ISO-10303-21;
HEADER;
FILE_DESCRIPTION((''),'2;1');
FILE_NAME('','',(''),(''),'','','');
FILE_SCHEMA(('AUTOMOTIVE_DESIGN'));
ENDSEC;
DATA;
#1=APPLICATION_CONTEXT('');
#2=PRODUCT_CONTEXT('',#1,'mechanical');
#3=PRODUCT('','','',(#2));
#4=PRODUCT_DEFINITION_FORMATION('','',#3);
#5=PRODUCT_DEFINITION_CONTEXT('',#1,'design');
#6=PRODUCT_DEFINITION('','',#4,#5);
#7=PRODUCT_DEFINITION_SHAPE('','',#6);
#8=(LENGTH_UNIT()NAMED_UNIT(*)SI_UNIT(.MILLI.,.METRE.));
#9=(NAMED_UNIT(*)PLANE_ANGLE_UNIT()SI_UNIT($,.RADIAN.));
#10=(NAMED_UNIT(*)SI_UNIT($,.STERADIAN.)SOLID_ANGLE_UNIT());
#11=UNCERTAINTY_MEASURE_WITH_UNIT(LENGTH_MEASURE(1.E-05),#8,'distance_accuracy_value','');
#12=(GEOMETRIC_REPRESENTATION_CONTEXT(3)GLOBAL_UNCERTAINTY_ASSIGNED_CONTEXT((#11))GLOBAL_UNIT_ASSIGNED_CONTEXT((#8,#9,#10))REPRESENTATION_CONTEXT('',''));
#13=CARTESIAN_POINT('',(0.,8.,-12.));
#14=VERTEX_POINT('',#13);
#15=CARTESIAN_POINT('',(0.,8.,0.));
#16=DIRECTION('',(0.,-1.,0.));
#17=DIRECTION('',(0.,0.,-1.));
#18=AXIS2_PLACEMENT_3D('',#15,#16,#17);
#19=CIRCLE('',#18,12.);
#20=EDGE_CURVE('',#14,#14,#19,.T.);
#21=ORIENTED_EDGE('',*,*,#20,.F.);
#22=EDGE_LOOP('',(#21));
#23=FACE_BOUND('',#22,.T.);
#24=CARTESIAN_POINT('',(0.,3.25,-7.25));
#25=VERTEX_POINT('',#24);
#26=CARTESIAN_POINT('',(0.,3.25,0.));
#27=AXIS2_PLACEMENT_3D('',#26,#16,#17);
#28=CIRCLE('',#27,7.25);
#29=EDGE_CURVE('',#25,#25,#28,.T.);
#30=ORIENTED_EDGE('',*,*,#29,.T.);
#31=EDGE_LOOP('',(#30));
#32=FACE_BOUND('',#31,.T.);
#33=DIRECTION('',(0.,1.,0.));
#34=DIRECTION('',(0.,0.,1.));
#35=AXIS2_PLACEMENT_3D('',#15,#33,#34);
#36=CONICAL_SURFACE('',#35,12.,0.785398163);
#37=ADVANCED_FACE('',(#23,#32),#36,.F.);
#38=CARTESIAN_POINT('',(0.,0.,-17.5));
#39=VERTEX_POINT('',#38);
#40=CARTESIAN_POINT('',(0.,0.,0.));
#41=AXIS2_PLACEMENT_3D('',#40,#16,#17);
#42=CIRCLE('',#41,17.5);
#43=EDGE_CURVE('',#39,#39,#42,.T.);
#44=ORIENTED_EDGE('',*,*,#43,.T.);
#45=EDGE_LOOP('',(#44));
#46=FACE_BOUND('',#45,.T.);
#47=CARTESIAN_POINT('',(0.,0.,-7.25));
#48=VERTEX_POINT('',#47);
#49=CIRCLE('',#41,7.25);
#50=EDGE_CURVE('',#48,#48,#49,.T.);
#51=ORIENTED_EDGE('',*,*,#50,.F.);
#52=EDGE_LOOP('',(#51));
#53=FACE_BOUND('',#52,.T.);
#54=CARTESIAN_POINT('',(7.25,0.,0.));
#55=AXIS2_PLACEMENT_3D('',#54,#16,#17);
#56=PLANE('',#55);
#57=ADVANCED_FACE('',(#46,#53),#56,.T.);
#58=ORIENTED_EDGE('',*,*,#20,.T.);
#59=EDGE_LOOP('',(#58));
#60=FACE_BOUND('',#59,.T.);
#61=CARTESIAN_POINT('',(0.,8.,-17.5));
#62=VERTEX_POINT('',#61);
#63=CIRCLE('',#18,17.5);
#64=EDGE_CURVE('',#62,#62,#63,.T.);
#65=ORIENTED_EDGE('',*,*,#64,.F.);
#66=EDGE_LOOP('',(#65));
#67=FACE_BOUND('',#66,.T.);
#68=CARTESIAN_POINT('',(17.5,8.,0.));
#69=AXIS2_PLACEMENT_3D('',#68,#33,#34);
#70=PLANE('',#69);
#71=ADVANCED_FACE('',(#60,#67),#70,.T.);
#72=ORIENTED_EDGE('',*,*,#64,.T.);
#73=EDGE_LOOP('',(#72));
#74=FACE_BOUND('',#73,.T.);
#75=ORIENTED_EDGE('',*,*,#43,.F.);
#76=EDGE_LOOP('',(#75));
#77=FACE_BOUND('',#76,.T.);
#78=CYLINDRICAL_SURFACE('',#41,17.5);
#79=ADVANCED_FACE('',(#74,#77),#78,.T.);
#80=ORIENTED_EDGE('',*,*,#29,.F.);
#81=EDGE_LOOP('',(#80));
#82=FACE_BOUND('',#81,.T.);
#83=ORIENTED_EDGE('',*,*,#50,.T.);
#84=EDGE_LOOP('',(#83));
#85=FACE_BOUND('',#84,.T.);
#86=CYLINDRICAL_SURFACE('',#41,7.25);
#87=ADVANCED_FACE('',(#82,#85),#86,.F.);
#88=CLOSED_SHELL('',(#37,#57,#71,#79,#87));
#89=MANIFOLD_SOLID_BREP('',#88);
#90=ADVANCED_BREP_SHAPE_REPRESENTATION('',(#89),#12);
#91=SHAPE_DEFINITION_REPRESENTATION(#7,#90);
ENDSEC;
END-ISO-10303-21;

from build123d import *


with BuildPart() as part:
    # Sketch1 → Revolve1 (revolve)
    with BuildSketch(Plane.XY, mode=Mode.PRIVATE) as revolve1_sk:
        Polygon((7.25, 0), (17.5, 0), (17.5, 8), (12, 8), (7.25, 3.25), align=None)
    revolve(revolve1_sk.sketch.rotate(Axis((0, 0, 0), (0, 1, 0)), 90), axis=Axis((0, 0, 0), (0, 1, 0)))


solid = part.part
